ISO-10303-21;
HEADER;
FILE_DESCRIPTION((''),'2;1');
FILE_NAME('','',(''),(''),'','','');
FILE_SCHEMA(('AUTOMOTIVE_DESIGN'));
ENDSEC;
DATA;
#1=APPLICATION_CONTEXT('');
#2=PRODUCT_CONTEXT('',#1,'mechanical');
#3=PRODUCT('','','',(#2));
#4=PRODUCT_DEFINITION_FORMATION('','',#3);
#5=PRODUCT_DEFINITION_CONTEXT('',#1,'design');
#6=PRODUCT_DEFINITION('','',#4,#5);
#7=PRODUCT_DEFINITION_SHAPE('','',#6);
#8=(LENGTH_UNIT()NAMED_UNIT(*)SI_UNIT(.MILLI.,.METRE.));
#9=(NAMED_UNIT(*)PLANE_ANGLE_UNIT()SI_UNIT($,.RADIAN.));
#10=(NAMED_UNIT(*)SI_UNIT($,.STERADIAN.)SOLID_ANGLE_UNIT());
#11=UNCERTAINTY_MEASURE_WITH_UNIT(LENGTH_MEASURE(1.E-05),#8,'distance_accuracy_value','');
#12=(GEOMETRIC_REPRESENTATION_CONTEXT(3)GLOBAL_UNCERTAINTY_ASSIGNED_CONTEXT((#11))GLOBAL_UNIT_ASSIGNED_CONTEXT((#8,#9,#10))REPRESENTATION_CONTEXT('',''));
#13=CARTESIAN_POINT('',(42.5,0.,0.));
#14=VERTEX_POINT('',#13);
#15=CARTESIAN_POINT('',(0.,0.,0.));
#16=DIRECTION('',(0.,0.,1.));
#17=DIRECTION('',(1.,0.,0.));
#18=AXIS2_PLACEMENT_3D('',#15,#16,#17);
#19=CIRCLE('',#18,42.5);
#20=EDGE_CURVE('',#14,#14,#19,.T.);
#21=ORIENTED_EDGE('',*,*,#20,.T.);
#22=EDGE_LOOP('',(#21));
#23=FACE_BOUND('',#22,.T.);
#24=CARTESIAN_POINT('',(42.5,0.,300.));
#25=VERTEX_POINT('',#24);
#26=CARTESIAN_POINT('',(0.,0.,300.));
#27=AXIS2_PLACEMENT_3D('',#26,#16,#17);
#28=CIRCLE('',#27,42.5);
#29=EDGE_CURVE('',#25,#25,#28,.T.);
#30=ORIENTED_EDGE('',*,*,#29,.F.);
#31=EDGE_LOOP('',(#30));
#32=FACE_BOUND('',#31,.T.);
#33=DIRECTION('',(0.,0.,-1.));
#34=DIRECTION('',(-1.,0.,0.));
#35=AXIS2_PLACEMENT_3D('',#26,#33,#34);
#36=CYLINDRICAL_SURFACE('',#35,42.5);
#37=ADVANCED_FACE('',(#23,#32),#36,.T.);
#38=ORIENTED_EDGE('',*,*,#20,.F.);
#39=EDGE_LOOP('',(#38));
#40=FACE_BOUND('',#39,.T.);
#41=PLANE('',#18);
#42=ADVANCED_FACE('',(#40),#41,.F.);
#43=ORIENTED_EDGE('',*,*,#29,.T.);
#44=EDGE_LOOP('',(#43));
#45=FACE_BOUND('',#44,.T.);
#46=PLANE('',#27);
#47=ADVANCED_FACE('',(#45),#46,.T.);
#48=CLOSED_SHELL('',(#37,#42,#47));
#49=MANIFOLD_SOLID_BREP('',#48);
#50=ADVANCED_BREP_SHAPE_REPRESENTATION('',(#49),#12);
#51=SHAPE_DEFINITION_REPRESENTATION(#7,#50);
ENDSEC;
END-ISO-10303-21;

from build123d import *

# Parameters (mm, degrees)
SKETCH1_R           = 42.5
BOSS_EXTRUDE1_DEPTH = 300


with BuildPart() as part:
    # Sketch1 → Boss-Extrude1 (new body)
    with BuildSketch(Plane.XY):
        Circle(SKETCH1_R)
    extrude(amount=BOSS_EXTRUDE1_DEPTH)


solid = part.part
